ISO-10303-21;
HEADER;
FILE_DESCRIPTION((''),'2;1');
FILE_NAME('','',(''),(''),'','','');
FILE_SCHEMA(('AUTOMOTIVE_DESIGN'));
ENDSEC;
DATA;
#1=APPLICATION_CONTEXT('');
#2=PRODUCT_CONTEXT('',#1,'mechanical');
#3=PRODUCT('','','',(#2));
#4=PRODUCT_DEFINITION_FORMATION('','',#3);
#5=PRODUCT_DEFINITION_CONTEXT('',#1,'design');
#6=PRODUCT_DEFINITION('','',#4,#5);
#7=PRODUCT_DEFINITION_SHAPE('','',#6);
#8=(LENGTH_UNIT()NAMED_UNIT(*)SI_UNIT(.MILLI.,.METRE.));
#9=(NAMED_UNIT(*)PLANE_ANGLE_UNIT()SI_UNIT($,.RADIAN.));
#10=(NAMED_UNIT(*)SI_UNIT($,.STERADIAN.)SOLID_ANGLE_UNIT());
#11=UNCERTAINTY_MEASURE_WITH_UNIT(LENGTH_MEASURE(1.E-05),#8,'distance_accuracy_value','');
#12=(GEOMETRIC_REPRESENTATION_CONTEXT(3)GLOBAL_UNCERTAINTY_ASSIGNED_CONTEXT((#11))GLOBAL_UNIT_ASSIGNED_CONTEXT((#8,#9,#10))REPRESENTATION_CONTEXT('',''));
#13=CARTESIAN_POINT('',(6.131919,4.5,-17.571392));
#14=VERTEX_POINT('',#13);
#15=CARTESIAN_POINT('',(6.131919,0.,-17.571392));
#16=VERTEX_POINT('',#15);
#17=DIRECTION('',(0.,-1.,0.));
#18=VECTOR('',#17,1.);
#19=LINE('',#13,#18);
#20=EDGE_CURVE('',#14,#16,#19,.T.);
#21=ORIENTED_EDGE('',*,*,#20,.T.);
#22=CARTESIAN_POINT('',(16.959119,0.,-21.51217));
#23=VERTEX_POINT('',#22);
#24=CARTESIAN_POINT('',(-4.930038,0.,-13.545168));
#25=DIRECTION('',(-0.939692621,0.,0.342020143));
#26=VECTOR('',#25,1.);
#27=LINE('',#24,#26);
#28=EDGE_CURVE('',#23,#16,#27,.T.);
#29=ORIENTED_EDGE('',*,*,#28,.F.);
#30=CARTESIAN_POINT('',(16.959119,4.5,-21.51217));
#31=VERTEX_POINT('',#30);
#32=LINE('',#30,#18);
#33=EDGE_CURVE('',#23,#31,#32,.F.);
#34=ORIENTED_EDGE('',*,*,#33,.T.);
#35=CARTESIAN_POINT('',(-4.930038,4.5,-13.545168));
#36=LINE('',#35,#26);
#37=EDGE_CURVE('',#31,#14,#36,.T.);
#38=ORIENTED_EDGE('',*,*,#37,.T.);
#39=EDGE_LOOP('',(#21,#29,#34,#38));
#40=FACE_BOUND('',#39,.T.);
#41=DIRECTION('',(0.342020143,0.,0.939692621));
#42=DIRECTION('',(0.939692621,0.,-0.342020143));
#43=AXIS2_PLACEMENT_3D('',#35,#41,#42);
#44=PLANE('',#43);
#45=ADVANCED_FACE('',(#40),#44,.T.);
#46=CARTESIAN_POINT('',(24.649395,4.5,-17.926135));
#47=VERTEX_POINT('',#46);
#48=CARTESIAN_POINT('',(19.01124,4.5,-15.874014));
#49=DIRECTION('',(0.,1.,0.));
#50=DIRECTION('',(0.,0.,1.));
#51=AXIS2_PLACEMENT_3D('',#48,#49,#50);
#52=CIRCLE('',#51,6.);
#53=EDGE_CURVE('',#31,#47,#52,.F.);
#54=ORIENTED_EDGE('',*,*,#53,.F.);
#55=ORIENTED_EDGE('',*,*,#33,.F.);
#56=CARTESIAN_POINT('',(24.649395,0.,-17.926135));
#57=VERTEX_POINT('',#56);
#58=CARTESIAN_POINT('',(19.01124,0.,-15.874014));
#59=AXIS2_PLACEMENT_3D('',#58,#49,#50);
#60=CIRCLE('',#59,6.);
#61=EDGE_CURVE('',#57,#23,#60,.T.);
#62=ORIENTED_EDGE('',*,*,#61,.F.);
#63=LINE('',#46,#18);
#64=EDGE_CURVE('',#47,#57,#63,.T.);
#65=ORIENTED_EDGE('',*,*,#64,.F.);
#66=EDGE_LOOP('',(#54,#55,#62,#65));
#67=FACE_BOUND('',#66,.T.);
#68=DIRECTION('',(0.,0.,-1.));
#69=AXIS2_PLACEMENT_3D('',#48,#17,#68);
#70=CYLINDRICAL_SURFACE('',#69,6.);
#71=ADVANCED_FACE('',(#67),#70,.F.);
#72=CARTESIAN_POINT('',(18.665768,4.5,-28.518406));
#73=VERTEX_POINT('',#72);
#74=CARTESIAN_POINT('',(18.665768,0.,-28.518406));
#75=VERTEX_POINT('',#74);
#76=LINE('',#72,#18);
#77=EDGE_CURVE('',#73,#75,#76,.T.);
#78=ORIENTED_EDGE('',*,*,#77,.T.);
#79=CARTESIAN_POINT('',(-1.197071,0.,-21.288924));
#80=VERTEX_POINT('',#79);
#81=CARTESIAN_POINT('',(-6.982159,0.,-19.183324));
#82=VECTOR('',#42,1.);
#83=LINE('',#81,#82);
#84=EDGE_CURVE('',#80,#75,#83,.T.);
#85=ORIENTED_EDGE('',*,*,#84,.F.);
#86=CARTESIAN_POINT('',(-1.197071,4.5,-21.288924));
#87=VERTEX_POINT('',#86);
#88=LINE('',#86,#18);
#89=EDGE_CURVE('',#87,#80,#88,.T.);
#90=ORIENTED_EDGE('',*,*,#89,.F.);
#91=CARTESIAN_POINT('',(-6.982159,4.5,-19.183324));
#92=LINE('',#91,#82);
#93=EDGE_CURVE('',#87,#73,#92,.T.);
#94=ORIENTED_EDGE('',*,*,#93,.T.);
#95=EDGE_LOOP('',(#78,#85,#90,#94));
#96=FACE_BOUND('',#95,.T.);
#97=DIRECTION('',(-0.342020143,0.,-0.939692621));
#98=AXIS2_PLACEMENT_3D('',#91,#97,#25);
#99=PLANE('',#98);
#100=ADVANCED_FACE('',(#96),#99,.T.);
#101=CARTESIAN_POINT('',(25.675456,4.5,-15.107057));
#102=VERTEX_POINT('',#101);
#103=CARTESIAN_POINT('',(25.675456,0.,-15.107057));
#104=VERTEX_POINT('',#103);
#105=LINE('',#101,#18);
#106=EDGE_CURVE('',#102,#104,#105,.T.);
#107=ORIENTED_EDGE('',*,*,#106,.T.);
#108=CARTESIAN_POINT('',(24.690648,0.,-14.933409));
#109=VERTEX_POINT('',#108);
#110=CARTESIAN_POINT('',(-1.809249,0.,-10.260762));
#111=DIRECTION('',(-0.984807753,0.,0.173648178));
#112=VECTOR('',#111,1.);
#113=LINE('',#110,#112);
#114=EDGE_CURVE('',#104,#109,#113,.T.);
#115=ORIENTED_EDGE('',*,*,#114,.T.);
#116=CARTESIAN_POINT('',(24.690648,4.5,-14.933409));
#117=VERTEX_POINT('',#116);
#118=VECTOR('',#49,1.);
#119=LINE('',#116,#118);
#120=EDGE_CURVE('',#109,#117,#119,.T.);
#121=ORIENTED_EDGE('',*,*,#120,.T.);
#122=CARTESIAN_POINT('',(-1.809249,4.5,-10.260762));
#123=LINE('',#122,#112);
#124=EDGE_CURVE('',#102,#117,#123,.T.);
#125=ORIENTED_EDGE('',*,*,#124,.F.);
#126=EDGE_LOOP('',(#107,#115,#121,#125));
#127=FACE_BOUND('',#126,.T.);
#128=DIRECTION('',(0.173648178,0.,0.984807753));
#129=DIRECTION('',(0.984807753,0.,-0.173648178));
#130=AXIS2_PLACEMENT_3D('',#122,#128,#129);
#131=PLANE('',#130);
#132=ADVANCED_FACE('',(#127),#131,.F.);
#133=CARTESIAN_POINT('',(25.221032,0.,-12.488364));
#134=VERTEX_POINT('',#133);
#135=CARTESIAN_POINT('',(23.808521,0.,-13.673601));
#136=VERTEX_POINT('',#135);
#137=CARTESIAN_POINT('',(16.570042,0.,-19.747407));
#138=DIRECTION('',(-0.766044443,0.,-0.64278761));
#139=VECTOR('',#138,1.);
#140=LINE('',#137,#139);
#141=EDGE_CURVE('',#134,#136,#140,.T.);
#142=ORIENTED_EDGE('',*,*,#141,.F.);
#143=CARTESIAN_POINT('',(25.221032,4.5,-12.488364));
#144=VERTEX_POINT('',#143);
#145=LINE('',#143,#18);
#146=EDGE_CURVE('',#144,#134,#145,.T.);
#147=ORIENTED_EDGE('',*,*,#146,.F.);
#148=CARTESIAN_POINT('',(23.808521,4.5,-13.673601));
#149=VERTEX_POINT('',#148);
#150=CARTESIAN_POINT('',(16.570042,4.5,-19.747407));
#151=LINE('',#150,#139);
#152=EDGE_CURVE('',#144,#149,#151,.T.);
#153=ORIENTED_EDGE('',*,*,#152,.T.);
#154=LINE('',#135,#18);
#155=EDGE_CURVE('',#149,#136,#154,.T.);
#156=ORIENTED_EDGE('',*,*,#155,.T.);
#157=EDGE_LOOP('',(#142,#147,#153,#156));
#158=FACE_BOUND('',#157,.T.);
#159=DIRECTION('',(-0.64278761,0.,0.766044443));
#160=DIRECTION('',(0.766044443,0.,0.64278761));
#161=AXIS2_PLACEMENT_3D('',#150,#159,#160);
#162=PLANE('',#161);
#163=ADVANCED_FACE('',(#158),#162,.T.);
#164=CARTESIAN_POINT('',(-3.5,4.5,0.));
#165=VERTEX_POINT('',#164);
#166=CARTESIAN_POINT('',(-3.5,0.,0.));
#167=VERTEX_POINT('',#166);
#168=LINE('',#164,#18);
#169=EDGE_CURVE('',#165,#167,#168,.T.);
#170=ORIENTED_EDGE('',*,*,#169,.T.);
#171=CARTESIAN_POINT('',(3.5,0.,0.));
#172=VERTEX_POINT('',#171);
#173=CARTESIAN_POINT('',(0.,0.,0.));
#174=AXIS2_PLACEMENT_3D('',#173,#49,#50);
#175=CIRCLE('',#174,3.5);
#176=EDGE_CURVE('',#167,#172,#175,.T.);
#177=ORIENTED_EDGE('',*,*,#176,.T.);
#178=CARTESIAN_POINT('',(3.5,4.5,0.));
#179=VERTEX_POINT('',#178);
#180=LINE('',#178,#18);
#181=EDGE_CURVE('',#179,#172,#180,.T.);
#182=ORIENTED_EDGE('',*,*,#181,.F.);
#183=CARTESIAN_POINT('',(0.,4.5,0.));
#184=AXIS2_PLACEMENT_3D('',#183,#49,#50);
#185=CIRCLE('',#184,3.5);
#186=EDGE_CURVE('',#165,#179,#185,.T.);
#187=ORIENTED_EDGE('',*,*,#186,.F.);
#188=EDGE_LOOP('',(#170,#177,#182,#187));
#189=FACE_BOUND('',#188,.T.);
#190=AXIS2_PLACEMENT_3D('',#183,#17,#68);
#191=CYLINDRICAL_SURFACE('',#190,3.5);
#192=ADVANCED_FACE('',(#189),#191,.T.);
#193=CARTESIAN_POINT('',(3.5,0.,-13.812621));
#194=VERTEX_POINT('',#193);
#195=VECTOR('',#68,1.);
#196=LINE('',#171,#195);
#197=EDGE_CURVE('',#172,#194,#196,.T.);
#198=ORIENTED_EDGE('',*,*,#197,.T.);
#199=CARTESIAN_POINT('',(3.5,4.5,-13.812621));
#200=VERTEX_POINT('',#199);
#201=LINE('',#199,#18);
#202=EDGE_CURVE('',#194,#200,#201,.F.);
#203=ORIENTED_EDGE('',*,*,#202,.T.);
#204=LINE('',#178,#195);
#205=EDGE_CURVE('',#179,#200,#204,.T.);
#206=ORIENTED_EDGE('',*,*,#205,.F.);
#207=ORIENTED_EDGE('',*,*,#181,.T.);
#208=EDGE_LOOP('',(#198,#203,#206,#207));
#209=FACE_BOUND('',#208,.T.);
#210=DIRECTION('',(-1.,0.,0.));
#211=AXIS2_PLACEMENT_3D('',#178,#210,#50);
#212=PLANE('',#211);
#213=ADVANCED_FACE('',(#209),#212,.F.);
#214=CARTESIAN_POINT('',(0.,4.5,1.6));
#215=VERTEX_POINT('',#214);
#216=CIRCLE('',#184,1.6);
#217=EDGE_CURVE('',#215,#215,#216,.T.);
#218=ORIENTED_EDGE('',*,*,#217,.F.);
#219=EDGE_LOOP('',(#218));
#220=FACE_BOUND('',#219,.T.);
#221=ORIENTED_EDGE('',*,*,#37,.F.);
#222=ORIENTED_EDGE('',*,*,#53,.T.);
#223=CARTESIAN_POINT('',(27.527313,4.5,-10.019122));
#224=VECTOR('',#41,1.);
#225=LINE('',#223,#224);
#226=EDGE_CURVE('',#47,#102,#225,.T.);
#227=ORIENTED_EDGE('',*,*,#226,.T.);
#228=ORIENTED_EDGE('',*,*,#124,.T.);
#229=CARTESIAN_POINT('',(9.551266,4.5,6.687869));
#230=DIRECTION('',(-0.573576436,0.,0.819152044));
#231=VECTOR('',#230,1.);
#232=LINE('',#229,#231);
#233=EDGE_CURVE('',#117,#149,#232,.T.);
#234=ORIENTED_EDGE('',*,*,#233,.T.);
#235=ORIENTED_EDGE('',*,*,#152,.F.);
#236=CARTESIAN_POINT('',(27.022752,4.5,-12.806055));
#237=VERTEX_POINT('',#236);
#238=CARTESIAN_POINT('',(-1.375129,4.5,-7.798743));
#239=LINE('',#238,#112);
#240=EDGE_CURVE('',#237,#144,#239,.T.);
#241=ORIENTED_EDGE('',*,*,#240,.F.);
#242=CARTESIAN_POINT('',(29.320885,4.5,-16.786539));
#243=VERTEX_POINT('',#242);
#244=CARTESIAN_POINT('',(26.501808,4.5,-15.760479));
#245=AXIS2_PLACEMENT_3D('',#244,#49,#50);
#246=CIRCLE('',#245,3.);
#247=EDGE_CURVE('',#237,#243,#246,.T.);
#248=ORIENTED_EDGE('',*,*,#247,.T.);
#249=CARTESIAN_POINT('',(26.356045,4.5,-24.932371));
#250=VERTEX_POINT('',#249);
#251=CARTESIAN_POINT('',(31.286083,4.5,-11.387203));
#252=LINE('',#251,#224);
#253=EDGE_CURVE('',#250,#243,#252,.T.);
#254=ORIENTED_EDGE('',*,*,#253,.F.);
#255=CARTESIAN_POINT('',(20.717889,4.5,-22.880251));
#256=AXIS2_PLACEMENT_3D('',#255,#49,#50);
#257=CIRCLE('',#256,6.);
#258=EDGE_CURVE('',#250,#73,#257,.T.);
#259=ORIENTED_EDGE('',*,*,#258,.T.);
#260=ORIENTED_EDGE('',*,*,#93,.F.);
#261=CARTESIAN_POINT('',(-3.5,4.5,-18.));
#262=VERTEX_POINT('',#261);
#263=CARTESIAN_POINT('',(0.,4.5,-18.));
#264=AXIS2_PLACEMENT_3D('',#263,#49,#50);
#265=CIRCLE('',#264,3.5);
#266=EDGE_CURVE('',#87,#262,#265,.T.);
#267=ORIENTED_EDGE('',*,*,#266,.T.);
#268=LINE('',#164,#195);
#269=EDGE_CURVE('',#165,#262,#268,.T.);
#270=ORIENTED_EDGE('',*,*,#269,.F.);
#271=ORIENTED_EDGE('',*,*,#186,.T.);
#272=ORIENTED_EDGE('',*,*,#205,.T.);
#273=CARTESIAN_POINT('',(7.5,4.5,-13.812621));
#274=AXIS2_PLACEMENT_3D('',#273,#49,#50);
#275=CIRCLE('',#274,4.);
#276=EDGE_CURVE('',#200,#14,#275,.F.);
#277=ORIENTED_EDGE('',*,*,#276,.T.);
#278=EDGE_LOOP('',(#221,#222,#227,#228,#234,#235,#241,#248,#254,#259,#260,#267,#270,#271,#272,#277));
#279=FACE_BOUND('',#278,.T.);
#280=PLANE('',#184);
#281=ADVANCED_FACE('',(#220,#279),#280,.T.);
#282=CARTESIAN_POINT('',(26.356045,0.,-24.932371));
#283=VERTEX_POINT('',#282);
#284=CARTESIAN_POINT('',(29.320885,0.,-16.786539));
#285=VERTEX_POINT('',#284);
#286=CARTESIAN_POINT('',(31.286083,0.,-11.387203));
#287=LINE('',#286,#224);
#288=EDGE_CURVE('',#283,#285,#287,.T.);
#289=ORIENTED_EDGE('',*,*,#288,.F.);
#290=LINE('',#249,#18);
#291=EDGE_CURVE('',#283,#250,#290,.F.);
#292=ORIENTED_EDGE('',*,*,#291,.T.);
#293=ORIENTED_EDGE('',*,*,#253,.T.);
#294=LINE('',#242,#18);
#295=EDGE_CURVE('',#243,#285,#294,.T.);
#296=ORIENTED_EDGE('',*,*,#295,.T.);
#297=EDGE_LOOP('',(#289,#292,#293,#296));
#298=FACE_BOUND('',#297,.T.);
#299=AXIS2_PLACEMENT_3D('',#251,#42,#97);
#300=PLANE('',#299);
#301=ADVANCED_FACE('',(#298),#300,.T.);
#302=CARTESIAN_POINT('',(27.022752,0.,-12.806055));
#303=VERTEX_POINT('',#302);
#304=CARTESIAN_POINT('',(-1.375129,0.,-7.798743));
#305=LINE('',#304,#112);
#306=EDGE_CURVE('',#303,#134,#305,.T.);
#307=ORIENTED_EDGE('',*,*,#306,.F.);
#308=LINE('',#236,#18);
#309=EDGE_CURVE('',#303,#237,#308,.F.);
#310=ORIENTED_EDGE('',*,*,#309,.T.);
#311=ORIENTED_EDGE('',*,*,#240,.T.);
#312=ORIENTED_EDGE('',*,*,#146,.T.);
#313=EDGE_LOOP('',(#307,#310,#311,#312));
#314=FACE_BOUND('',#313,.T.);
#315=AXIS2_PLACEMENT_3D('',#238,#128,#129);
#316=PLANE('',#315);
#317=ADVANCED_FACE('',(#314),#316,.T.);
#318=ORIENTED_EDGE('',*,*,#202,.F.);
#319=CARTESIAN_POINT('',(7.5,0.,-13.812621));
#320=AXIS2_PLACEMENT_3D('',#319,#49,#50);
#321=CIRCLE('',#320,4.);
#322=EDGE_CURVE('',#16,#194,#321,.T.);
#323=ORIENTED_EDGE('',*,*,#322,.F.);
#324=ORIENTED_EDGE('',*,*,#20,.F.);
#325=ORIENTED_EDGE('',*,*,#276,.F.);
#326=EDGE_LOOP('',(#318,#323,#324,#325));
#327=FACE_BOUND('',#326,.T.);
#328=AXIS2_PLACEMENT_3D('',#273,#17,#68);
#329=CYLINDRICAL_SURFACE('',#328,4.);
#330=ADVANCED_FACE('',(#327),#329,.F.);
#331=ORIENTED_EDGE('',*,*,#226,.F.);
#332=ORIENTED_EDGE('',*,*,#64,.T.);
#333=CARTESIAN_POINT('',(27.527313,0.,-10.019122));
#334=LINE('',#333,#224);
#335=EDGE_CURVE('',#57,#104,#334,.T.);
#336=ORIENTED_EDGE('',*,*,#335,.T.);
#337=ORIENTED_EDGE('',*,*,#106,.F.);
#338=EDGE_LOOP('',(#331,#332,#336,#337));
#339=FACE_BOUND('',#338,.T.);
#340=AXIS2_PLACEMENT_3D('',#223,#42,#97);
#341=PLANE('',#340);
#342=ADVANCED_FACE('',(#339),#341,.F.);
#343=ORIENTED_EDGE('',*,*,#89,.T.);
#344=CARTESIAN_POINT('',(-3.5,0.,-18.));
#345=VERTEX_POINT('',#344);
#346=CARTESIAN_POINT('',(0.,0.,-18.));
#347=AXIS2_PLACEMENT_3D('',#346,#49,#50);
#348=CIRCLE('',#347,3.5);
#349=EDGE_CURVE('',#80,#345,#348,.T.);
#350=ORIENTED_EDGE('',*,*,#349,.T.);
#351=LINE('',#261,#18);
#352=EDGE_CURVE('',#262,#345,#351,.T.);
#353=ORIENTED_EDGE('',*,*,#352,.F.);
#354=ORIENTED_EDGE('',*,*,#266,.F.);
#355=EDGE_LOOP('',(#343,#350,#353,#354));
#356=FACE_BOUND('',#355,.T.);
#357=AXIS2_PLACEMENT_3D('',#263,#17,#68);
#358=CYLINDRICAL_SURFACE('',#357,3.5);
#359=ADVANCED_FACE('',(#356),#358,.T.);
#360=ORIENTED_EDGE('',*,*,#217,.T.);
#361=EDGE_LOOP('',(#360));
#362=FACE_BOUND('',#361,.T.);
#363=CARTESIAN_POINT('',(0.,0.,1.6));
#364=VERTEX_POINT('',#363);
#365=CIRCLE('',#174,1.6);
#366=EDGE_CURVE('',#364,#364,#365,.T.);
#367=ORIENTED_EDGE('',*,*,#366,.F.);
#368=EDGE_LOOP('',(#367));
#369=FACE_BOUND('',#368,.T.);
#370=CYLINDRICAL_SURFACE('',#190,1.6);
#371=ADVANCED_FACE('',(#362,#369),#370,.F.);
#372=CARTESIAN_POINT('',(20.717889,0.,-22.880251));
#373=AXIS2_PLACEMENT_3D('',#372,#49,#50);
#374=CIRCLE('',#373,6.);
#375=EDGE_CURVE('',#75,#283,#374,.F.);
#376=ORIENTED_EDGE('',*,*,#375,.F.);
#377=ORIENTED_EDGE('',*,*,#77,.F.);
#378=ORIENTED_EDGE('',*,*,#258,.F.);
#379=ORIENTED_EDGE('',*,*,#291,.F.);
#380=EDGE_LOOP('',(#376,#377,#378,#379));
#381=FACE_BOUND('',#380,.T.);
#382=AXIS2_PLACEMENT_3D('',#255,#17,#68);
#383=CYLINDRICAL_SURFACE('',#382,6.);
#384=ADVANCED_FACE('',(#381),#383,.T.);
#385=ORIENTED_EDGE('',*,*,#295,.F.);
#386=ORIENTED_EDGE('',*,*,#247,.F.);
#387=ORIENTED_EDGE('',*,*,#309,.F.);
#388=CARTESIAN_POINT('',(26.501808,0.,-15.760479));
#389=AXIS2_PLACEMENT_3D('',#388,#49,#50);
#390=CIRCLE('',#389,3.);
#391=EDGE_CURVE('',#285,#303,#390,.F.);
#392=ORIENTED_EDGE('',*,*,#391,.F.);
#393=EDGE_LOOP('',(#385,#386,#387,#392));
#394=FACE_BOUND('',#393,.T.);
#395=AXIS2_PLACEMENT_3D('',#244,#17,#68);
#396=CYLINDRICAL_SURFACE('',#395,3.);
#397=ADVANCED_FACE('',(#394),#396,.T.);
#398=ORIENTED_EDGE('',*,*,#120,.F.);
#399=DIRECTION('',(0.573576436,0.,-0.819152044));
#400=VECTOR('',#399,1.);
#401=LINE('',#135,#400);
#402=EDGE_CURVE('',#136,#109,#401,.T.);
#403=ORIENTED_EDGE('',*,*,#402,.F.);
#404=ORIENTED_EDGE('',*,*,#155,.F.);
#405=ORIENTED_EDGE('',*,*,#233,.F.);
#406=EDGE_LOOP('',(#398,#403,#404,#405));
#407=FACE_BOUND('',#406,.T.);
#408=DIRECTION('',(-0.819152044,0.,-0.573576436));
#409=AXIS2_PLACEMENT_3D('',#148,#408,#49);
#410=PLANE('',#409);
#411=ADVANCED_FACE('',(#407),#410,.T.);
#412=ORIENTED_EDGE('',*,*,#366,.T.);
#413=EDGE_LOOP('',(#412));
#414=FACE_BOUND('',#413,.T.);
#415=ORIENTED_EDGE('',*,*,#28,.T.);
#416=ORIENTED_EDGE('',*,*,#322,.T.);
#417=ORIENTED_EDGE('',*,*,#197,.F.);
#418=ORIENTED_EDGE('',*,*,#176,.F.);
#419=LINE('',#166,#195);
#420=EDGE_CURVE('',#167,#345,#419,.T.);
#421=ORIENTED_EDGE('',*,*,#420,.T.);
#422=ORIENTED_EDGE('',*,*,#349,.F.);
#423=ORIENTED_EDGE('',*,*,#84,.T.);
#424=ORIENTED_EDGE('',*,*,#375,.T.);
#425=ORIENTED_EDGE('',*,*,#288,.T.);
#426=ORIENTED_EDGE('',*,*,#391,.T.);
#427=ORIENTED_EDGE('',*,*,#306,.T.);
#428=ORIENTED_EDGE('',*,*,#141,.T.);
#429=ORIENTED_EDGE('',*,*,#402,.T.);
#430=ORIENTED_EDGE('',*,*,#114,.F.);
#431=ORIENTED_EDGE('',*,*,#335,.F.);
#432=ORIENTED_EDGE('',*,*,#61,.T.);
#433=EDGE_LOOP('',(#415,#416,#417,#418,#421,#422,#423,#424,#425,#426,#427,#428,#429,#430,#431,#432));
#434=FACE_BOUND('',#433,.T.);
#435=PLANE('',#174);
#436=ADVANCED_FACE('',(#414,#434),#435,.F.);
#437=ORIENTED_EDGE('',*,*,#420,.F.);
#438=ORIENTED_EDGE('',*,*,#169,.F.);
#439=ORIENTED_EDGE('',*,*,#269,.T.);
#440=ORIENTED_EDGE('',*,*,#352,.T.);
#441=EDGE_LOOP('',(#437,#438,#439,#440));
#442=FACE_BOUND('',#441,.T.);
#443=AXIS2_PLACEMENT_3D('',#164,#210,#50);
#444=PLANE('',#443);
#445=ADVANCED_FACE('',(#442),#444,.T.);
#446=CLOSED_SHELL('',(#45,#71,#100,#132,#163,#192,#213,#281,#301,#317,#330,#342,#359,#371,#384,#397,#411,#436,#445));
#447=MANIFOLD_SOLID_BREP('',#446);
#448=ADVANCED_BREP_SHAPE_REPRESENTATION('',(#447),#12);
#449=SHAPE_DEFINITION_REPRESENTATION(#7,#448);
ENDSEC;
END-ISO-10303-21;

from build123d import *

# Parameters (mm, degrees)
SKETCH1_R           = 1.6
BOSS_EXTRUDE1_DEPTH = 4.5
FILLET1_R           = 4
FILLET2_R           = 6
FILLET3_R           = 3
CHAMFER1_SIZE       = 2
CHAMFER1_SIZE2      = 1.419615628


with BuildPart() as part:
    # Sketch1 → Boss-Extrude1 (new body)
    # profile 1 of 2: a face of its own
    with BuildSketch(Plane(origin=(0, 0, 0), x_dir=(1, 0, 0), z_dir=(0, 1, 0))):
        with BuildLine():
            Line((3.5, 0), (3.5, 18))
            ThreePointArc((3.5, 18), (0, 21.5), (-3.5, 18))
            Line((-3.5, 18), (-3.5, 0))
            ThreePointArc((-3.5, 0), (0, -3.5), (3.5, 0))
        make_face()
        with Locations(Location((0, 0, 0), (0, 0, 270))):
            Circle(SKETCH1_R, mode=Mode.SUBTRACT)
    # profile 2 of 2: a face of its own
    with BuildSketch(Plane(origin=(0, 0, 0), x_dir=(1, 0, 0), z_dir=(0, 1, 0))):
        with BuildLine():
            Line((24.303924048, 30.570527133), (-1.197070502, 21.288924173))
            ThreePointArc((-1.197070502, 21.288924173), (2.007517527, 20.867032155), (3.5, 18))
            Line((3.5, 18), (3.5, 16.613451389))
            Line((3.5, 16.613451389), (22.597274425, 23.564290835))
            Line((22.597274425, 23.564290835), (25.675455715, 15.107057248))
            Line((25.675455715, 15.107057248), (22.721032456, 14.586112715))
            Line((22.721032456, 14.586112715), (25.221032456, 12.488363637))
            Line((25.221032456, 12.488363637), (30.543696603, 13.426892935))
            Line((30.543696603, 13.426892935), (24.303924048, 30.570527133))
        make_face()
    extrude(amount=BOSS_EXTRUDE1_DEPTH)

    # Fillet1
    fillet1_edges = [part.edges().sort_by_distance(p)[0] for p in [
        (3.5, 2.25, -16.613451389),
    ]]
    fillet(fillet1_edges, radius=FILLET1_R)

    # Fillet2
    fillet2_edges = [part.edges().sort_by_distance(p)[0] for p in [
        (24.303924048, 2.25, -30.570527133),
        (22.597274425, 2.25, -23.564290835),
    ]]
    fillet(fillet2_edges, radius=FILLET2_R)

    # Fillet3
    fillet3_edges = [part.edges().sort_by_distance(p)[0] for p in [
        (30.543696603, 2.25, -13.426892935),
    ]]
    fillet(fillet3_edges, radius=FILLET3_R)

    # Chamfer1
    chamfer1_edges = [part.edges().sort_by_distance(p)[0] for p in [
        (22.721032456, 2.25, -14.586112715),
    ]]
    chamfer1_side = [part.faces().sort_by_distance(p)[0] for p in [
        (24.198244085, 2.25, -14.846584982),
    ]]
    chamfer(chamfer1_edges, length=CHAMFER1_SIZE, length2=CHAMFER1_SIZE2, reference=chamfer1_side[0])


solid = part.part
